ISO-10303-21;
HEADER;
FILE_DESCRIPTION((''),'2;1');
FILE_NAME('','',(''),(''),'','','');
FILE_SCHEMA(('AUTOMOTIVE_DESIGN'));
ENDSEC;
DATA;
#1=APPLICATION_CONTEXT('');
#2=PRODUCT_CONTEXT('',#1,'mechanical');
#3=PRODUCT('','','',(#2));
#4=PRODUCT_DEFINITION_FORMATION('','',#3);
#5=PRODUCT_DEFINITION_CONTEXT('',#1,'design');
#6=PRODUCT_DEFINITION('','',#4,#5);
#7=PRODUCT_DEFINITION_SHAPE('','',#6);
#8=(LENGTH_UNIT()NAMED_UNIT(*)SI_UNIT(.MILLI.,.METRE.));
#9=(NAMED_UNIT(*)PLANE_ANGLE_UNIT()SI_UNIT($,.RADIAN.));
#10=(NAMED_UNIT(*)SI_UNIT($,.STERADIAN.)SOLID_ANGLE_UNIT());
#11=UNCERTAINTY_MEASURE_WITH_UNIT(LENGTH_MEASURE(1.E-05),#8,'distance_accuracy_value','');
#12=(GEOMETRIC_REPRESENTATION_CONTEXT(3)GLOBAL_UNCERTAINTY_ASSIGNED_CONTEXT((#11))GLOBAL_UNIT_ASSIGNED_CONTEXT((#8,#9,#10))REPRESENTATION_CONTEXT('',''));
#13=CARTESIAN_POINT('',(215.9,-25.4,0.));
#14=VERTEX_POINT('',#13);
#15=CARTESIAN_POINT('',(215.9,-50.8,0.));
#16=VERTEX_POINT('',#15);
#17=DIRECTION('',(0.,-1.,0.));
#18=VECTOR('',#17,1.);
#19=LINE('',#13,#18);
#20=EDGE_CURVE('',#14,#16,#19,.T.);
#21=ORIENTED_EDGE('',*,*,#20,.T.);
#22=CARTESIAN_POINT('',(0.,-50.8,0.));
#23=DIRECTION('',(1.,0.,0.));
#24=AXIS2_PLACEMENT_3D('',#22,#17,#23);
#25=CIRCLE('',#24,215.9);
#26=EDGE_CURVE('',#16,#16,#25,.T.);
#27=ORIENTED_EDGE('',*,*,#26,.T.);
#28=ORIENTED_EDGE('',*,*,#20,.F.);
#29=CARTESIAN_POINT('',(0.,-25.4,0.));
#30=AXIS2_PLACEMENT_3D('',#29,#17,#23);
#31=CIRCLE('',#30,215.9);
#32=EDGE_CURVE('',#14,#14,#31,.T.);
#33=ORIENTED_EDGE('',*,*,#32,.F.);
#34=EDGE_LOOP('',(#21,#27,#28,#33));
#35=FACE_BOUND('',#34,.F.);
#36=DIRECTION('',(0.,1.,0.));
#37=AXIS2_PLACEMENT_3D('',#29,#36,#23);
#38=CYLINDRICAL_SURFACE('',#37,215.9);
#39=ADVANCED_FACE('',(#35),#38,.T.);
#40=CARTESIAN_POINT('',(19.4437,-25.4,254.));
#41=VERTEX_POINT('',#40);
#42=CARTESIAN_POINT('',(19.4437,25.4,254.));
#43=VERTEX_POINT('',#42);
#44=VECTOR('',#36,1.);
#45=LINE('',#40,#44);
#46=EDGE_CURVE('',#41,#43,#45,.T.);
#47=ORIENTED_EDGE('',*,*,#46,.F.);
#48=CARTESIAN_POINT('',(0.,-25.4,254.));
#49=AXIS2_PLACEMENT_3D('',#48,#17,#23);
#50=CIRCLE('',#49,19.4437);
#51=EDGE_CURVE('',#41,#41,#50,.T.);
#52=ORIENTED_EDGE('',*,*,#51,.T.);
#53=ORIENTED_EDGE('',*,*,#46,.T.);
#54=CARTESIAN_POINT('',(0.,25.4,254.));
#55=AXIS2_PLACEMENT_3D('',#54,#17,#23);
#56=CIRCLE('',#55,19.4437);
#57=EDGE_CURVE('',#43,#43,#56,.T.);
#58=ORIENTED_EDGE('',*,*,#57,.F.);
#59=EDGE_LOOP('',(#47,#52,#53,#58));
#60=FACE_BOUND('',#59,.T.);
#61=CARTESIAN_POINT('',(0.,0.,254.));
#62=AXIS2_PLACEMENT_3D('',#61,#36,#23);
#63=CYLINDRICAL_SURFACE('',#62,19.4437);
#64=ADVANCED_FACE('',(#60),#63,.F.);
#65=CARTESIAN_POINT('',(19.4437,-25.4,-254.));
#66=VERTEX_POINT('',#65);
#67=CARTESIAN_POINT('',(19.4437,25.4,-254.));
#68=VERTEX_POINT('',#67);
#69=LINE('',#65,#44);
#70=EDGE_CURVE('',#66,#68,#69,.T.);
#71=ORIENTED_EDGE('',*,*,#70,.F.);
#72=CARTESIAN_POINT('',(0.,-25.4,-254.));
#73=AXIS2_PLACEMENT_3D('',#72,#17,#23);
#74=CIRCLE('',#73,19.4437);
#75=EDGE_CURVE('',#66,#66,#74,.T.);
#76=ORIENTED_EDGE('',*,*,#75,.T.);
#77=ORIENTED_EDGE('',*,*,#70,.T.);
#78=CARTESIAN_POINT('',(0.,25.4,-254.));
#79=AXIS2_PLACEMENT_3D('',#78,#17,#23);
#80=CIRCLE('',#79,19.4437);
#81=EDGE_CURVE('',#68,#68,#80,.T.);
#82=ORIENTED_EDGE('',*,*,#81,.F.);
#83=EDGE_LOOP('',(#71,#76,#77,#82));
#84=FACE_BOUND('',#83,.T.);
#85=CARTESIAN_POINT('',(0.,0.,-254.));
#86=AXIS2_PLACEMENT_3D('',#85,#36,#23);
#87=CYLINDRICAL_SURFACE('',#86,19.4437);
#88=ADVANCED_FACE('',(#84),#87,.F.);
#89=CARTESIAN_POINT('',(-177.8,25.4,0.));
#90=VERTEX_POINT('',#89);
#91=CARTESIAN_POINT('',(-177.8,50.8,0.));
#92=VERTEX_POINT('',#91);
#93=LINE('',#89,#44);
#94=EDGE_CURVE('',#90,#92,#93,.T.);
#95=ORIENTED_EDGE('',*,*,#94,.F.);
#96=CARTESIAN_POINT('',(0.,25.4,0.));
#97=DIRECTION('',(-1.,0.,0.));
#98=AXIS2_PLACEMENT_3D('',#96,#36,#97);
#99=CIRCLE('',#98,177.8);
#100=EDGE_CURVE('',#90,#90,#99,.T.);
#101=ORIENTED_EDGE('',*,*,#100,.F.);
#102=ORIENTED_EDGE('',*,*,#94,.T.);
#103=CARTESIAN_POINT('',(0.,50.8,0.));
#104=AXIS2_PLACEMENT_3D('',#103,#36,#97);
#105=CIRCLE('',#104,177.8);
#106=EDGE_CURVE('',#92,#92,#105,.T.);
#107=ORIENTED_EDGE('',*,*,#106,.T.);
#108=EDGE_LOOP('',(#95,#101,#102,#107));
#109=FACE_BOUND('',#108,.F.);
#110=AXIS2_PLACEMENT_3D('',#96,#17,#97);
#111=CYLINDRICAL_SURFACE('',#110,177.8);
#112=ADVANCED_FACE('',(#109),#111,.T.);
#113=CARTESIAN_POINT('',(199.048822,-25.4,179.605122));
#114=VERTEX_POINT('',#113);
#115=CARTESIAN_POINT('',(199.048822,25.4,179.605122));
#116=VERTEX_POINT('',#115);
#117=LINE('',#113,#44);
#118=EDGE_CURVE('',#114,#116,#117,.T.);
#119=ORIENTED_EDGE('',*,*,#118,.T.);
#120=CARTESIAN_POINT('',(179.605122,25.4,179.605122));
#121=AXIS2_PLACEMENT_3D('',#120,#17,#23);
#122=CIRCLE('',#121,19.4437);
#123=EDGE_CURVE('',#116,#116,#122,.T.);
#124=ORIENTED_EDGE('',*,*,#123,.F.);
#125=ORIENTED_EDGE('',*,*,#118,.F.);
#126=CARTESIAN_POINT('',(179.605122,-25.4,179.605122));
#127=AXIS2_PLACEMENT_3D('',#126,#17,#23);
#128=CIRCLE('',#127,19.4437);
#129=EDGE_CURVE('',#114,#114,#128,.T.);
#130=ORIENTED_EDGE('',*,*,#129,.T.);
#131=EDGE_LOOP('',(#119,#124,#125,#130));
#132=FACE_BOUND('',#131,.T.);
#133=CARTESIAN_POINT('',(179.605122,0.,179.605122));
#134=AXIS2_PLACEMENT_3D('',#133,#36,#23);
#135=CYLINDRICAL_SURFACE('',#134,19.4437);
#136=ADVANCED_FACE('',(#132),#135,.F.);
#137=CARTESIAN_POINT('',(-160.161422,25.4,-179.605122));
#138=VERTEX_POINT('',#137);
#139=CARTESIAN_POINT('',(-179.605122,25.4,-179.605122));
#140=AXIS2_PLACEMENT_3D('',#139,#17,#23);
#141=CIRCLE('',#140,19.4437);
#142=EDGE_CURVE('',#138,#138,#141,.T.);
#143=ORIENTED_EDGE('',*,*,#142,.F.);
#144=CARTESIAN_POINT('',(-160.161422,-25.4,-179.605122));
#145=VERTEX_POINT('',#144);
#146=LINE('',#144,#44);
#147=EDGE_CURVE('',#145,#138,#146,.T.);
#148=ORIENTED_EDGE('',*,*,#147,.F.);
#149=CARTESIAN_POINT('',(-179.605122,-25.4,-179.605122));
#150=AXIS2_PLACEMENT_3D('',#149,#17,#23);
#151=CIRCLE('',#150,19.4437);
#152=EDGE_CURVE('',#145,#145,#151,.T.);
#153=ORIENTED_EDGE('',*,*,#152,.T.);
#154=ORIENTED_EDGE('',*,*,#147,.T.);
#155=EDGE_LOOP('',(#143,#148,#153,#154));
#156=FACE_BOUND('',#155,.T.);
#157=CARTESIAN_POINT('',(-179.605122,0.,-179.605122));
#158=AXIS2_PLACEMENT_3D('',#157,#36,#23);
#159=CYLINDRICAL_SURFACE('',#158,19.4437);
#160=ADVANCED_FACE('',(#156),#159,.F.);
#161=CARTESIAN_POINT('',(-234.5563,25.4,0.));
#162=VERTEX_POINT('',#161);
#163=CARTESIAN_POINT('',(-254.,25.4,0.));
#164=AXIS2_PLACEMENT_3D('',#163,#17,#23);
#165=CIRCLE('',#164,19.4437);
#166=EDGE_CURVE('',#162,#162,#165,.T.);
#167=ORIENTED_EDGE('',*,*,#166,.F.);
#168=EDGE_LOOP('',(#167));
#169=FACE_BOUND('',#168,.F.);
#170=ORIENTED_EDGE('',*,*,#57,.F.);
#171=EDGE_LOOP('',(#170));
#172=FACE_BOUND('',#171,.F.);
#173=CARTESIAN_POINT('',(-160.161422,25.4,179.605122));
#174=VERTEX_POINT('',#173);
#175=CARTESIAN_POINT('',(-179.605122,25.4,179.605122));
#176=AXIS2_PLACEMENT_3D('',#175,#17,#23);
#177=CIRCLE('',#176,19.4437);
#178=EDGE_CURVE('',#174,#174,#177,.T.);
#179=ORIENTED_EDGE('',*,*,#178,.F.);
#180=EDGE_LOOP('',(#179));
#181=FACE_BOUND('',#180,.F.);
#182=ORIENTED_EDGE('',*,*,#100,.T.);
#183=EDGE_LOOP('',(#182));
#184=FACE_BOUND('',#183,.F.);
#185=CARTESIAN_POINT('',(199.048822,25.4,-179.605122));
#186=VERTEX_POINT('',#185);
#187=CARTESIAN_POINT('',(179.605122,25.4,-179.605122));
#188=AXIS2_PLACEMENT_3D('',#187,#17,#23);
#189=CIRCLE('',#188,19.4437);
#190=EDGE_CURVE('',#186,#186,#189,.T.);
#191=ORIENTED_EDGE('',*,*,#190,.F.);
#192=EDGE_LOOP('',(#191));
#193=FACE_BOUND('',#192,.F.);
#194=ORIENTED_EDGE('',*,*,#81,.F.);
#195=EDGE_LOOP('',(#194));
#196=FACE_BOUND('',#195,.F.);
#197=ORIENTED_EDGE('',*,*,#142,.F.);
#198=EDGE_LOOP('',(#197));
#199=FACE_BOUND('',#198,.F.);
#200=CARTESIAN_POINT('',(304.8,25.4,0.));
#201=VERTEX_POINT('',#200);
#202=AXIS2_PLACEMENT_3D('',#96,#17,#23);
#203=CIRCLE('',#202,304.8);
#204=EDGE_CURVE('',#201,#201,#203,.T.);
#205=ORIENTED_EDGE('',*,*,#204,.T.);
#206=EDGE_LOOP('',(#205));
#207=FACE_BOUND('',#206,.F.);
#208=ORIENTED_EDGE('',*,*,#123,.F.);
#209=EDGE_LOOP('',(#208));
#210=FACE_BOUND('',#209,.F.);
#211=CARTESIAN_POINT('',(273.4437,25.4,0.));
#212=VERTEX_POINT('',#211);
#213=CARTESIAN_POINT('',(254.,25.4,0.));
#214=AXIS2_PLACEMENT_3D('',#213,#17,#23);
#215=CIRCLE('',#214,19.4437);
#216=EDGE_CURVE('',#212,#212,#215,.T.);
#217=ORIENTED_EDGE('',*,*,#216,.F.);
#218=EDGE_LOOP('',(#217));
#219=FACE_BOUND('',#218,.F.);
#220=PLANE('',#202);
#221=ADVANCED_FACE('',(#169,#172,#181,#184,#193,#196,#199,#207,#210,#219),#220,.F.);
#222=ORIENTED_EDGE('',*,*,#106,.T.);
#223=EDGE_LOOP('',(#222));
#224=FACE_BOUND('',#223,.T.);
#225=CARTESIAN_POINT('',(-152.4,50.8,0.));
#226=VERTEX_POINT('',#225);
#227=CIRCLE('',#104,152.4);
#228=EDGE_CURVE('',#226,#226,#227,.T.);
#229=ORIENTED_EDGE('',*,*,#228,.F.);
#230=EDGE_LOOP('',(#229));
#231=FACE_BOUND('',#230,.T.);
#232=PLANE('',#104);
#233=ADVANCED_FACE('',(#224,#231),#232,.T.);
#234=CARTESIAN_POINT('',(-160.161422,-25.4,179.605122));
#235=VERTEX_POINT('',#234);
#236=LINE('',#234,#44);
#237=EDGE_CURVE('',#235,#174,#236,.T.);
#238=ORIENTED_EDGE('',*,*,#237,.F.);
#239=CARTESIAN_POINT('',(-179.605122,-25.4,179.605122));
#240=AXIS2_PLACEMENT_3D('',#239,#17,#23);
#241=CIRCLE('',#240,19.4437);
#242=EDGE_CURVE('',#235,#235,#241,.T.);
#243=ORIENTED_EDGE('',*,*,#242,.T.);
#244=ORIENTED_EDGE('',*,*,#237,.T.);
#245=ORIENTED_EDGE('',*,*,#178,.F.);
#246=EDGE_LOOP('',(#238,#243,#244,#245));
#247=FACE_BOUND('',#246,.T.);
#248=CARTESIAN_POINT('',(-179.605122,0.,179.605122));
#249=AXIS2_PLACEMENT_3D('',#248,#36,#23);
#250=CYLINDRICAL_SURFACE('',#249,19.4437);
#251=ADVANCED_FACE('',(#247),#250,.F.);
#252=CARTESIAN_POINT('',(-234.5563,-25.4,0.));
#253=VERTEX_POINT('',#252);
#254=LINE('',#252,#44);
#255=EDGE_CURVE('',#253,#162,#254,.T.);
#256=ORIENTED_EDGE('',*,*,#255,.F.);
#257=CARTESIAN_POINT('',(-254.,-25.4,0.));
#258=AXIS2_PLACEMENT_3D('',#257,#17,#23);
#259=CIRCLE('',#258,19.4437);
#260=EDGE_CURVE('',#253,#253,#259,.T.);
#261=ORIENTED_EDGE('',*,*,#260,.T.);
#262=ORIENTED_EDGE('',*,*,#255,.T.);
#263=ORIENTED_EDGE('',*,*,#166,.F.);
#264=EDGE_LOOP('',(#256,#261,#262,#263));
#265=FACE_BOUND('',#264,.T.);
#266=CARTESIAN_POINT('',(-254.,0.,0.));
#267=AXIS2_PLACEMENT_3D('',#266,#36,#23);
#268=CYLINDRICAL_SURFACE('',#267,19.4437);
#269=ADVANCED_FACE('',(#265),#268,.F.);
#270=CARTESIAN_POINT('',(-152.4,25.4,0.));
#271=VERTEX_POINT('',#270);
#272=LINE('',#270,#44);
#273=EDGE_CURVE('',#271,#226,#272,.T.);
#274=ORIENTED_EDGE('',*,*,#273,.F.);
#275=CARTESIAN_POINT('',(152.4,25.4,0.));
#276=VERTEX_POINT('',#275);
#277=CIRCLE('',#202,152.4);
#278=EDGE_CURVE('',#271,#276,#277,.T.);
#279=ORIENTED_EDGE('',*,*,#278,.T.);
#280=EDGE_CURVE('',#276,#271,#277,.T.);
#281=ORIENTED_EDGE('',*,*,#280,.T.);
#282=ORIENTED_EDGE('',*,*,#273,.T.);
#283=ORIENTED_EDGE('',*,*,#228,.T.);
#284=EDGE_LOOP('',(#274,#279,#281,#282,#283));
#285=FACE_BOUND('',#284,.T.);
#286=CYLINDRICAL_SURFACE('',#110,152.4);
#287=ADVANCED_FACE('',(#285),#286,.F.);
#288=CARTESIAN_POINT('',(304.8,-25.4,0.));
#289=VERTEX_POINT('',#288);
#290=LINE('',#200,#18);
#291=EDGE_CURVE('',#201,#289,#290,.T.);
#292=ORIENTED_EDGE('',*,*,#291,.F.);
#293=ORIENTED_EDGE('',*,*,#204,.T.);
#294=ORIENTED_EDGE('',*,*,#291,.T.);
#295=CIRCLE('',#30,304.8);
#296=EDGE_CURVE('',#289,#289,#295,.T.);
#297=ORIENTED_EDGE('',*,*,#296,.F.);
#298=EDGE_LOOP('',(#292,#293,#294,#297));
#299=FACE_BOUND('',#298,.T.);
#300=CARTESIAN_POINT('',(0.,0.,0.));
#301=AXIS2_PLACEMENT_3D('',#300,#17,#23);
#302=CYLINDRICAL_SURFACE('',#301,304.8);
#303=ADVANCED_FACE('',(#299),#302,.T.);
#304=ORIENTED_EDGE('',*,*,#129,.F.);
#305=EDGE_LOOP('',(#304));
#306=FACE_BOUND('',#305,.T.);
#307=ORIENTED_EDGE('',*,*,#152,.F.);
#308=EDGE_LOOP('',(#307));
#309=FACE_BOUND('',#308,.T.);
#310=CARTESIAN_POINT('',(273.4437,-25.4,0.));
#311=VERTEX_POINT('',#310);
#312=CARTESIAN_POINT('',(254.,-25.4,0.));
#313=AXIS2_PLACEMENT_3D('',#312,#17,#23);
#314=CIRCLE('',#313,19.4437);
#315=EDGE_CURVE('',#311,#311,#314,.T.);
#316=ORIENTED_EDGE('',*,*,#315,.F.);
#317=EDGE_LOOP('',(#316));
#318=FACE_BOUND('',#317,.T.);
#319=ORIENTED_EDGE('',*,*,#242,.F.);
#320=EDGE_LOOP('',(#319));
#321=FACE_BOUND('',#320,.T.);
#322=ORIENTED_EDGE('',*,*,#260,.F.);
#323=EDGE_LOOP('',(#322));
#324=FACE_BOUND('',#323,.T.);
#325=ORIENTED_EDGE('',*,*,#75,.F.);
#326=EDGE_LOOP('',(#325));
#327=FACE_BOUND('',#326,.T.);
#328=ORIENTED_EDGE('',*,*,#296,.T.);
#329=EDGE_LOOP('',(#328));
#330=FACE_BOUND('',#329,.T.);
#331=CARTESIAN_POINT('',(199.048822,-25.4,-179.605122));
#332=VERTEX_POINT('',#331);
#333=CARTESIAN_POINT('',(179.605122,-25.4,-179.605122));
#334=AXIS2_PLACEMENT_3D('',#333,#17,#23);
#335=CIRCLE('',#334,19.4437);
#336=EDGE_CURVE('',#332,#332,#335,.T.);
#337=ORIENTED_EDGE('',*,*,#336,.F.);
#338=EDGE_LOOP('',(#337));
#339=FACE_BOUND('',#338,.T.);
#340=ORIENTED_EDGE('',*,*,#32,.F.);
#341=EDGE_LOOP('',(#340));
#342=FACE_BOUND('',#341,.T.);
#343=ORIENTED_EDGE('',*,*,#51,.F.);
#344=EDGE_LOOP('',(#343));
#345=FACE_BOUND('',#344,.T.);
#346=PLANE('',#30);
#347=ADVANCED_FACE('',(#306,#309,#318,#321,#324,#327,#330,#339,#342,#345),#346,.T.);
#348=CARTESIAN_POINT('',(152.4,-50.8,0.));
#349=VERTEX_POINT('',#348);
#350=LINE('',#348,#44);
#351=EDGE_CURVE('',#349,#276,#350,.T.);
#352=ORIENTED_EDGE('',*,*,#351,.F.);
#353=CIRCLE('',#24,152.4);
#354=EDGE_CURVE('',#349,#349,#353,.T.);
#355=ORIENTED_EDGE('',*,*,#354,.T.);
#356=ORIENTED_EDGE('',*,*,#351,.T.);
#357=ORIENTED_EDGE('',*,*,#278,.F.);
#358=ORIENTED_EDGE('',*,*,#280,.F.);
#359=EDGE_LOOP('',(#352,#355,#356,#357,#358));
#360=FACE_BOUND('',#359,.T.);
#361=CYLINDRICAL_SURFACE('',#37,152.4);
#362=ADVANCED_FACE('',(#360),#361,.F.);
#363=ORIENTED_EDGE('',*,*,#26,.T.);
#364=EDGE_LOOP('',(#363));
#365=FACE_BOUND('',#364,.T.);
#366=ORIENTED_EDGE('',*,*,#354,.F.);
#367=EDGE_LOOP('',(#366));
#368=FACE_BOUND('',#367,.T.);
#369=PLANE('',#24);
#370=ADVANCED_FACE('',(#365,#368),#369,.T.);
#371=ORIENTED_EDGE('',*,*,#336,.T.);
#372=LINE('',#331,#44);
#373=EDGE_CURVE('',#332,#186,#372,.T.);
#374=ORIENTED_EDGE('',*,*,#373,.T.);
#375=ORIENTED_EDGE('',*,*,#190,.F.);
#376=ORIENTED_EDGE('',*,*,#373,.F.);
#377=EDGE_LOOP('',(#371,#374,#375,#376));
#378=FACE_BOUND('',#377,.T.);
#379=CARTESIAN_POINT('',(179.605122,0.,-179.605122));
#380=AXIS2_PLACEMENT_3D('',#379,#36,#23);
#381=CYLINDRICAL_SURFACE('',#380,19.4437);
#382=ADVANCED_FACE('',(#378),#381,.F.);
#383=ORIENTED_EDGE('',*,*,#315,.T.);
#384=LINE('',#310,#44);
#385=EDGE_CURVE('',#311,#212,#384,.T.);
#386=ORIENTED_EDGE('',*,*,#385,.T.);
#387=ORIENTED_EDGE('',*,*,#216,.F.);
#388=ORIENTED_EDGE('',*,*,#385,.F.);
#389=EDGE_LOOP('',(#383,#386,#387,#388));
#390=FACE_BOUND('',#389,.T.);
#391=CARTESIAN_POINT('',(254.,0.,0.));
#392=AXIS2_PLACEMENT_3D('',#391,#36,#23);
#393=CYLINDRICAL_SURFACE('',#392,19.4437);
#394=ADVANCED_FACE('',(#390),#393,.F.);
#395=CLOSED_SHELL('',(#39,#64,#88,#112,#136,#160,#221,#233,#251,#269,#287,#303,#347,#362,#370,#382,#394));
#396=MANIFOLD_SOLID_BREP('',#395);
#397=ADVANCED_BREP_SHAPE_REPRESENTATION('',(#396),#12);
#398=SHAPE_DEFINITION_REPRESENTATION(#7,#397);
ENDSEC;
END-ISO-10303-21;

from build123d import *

# Parameters (mm, degrees)
F0_R     = 304.8
F0_R_2   = 19.4437
F0_R_3   = 152.4
F1_DEPTH = 25.4
F2_R     = 215.9
F2_R_2   = 152.4
F3_DEPTH = 25.4
F4_R     = 177.8
F4_R_2   = 152.4
F5_DEPTH = 25.4


with BuildPart() as f1:
    # F0 (on Front) → F1 (new body, symmetric)
    with BuildSketch(Plane.XZ):
        Circle(F0_R)
        with Locations((-179.605122, -179.605122)):
            Circle(F0_R_2, mode=Mode.SUBTRACT)
        with Locations((0, -254)):
            Circle(F0_R_2, mode=Mode.SUBTRACT)
        with Locations((179.605122, -179.605122)):
            Circle(F0_R_2, mode=Mode.SUBTRACT)
        with Locations((-254, 0)):
            Circle(F0_R_2, mode=Mode.SUBTRACT)
        with Locations((-179.605122, 179.605122)):
            Circle(F0_R_2, mode=Mode.SUBTRACT)
        Circle(F0_R_3, mode=Mode.SUBTRACT)
        with Locations((254, 0)):
            Circle(F0_R_2, mode=Mode.SUBTRACT)
        with Locations((0, 254)):
            Circle(F0_R_2, mode=Mode.SUBTRACT)
        with Locations((179.605122, 179.605122)):
            Circle(F0_R_2, mode=Mode.SUBTRACT)
    extrude(amount=F1_DEPTH, both=True)

    # F2 (on face) → F3 (join)
    with BuildSketch(Plane.XZ.offset(25.4)):
        Circle(F2_R)
        Circle(F2_R_2, mode=Mode.SUBTRACT)
    extrude(amount=F3_DEPTH)

    # F4 (on face) → F5 (join)
    with BuildSketch(Plane(origin=(0, 25.4, 0), x_dir=(-1, 0, 0), z_dir=(0, 1, 0))):
        Circle(F4_R)
        Circle(F4_R_2, mode=Mode.SUBTRACT)
    extrude(amount=F5_DEPTH)


solid = f1.part
